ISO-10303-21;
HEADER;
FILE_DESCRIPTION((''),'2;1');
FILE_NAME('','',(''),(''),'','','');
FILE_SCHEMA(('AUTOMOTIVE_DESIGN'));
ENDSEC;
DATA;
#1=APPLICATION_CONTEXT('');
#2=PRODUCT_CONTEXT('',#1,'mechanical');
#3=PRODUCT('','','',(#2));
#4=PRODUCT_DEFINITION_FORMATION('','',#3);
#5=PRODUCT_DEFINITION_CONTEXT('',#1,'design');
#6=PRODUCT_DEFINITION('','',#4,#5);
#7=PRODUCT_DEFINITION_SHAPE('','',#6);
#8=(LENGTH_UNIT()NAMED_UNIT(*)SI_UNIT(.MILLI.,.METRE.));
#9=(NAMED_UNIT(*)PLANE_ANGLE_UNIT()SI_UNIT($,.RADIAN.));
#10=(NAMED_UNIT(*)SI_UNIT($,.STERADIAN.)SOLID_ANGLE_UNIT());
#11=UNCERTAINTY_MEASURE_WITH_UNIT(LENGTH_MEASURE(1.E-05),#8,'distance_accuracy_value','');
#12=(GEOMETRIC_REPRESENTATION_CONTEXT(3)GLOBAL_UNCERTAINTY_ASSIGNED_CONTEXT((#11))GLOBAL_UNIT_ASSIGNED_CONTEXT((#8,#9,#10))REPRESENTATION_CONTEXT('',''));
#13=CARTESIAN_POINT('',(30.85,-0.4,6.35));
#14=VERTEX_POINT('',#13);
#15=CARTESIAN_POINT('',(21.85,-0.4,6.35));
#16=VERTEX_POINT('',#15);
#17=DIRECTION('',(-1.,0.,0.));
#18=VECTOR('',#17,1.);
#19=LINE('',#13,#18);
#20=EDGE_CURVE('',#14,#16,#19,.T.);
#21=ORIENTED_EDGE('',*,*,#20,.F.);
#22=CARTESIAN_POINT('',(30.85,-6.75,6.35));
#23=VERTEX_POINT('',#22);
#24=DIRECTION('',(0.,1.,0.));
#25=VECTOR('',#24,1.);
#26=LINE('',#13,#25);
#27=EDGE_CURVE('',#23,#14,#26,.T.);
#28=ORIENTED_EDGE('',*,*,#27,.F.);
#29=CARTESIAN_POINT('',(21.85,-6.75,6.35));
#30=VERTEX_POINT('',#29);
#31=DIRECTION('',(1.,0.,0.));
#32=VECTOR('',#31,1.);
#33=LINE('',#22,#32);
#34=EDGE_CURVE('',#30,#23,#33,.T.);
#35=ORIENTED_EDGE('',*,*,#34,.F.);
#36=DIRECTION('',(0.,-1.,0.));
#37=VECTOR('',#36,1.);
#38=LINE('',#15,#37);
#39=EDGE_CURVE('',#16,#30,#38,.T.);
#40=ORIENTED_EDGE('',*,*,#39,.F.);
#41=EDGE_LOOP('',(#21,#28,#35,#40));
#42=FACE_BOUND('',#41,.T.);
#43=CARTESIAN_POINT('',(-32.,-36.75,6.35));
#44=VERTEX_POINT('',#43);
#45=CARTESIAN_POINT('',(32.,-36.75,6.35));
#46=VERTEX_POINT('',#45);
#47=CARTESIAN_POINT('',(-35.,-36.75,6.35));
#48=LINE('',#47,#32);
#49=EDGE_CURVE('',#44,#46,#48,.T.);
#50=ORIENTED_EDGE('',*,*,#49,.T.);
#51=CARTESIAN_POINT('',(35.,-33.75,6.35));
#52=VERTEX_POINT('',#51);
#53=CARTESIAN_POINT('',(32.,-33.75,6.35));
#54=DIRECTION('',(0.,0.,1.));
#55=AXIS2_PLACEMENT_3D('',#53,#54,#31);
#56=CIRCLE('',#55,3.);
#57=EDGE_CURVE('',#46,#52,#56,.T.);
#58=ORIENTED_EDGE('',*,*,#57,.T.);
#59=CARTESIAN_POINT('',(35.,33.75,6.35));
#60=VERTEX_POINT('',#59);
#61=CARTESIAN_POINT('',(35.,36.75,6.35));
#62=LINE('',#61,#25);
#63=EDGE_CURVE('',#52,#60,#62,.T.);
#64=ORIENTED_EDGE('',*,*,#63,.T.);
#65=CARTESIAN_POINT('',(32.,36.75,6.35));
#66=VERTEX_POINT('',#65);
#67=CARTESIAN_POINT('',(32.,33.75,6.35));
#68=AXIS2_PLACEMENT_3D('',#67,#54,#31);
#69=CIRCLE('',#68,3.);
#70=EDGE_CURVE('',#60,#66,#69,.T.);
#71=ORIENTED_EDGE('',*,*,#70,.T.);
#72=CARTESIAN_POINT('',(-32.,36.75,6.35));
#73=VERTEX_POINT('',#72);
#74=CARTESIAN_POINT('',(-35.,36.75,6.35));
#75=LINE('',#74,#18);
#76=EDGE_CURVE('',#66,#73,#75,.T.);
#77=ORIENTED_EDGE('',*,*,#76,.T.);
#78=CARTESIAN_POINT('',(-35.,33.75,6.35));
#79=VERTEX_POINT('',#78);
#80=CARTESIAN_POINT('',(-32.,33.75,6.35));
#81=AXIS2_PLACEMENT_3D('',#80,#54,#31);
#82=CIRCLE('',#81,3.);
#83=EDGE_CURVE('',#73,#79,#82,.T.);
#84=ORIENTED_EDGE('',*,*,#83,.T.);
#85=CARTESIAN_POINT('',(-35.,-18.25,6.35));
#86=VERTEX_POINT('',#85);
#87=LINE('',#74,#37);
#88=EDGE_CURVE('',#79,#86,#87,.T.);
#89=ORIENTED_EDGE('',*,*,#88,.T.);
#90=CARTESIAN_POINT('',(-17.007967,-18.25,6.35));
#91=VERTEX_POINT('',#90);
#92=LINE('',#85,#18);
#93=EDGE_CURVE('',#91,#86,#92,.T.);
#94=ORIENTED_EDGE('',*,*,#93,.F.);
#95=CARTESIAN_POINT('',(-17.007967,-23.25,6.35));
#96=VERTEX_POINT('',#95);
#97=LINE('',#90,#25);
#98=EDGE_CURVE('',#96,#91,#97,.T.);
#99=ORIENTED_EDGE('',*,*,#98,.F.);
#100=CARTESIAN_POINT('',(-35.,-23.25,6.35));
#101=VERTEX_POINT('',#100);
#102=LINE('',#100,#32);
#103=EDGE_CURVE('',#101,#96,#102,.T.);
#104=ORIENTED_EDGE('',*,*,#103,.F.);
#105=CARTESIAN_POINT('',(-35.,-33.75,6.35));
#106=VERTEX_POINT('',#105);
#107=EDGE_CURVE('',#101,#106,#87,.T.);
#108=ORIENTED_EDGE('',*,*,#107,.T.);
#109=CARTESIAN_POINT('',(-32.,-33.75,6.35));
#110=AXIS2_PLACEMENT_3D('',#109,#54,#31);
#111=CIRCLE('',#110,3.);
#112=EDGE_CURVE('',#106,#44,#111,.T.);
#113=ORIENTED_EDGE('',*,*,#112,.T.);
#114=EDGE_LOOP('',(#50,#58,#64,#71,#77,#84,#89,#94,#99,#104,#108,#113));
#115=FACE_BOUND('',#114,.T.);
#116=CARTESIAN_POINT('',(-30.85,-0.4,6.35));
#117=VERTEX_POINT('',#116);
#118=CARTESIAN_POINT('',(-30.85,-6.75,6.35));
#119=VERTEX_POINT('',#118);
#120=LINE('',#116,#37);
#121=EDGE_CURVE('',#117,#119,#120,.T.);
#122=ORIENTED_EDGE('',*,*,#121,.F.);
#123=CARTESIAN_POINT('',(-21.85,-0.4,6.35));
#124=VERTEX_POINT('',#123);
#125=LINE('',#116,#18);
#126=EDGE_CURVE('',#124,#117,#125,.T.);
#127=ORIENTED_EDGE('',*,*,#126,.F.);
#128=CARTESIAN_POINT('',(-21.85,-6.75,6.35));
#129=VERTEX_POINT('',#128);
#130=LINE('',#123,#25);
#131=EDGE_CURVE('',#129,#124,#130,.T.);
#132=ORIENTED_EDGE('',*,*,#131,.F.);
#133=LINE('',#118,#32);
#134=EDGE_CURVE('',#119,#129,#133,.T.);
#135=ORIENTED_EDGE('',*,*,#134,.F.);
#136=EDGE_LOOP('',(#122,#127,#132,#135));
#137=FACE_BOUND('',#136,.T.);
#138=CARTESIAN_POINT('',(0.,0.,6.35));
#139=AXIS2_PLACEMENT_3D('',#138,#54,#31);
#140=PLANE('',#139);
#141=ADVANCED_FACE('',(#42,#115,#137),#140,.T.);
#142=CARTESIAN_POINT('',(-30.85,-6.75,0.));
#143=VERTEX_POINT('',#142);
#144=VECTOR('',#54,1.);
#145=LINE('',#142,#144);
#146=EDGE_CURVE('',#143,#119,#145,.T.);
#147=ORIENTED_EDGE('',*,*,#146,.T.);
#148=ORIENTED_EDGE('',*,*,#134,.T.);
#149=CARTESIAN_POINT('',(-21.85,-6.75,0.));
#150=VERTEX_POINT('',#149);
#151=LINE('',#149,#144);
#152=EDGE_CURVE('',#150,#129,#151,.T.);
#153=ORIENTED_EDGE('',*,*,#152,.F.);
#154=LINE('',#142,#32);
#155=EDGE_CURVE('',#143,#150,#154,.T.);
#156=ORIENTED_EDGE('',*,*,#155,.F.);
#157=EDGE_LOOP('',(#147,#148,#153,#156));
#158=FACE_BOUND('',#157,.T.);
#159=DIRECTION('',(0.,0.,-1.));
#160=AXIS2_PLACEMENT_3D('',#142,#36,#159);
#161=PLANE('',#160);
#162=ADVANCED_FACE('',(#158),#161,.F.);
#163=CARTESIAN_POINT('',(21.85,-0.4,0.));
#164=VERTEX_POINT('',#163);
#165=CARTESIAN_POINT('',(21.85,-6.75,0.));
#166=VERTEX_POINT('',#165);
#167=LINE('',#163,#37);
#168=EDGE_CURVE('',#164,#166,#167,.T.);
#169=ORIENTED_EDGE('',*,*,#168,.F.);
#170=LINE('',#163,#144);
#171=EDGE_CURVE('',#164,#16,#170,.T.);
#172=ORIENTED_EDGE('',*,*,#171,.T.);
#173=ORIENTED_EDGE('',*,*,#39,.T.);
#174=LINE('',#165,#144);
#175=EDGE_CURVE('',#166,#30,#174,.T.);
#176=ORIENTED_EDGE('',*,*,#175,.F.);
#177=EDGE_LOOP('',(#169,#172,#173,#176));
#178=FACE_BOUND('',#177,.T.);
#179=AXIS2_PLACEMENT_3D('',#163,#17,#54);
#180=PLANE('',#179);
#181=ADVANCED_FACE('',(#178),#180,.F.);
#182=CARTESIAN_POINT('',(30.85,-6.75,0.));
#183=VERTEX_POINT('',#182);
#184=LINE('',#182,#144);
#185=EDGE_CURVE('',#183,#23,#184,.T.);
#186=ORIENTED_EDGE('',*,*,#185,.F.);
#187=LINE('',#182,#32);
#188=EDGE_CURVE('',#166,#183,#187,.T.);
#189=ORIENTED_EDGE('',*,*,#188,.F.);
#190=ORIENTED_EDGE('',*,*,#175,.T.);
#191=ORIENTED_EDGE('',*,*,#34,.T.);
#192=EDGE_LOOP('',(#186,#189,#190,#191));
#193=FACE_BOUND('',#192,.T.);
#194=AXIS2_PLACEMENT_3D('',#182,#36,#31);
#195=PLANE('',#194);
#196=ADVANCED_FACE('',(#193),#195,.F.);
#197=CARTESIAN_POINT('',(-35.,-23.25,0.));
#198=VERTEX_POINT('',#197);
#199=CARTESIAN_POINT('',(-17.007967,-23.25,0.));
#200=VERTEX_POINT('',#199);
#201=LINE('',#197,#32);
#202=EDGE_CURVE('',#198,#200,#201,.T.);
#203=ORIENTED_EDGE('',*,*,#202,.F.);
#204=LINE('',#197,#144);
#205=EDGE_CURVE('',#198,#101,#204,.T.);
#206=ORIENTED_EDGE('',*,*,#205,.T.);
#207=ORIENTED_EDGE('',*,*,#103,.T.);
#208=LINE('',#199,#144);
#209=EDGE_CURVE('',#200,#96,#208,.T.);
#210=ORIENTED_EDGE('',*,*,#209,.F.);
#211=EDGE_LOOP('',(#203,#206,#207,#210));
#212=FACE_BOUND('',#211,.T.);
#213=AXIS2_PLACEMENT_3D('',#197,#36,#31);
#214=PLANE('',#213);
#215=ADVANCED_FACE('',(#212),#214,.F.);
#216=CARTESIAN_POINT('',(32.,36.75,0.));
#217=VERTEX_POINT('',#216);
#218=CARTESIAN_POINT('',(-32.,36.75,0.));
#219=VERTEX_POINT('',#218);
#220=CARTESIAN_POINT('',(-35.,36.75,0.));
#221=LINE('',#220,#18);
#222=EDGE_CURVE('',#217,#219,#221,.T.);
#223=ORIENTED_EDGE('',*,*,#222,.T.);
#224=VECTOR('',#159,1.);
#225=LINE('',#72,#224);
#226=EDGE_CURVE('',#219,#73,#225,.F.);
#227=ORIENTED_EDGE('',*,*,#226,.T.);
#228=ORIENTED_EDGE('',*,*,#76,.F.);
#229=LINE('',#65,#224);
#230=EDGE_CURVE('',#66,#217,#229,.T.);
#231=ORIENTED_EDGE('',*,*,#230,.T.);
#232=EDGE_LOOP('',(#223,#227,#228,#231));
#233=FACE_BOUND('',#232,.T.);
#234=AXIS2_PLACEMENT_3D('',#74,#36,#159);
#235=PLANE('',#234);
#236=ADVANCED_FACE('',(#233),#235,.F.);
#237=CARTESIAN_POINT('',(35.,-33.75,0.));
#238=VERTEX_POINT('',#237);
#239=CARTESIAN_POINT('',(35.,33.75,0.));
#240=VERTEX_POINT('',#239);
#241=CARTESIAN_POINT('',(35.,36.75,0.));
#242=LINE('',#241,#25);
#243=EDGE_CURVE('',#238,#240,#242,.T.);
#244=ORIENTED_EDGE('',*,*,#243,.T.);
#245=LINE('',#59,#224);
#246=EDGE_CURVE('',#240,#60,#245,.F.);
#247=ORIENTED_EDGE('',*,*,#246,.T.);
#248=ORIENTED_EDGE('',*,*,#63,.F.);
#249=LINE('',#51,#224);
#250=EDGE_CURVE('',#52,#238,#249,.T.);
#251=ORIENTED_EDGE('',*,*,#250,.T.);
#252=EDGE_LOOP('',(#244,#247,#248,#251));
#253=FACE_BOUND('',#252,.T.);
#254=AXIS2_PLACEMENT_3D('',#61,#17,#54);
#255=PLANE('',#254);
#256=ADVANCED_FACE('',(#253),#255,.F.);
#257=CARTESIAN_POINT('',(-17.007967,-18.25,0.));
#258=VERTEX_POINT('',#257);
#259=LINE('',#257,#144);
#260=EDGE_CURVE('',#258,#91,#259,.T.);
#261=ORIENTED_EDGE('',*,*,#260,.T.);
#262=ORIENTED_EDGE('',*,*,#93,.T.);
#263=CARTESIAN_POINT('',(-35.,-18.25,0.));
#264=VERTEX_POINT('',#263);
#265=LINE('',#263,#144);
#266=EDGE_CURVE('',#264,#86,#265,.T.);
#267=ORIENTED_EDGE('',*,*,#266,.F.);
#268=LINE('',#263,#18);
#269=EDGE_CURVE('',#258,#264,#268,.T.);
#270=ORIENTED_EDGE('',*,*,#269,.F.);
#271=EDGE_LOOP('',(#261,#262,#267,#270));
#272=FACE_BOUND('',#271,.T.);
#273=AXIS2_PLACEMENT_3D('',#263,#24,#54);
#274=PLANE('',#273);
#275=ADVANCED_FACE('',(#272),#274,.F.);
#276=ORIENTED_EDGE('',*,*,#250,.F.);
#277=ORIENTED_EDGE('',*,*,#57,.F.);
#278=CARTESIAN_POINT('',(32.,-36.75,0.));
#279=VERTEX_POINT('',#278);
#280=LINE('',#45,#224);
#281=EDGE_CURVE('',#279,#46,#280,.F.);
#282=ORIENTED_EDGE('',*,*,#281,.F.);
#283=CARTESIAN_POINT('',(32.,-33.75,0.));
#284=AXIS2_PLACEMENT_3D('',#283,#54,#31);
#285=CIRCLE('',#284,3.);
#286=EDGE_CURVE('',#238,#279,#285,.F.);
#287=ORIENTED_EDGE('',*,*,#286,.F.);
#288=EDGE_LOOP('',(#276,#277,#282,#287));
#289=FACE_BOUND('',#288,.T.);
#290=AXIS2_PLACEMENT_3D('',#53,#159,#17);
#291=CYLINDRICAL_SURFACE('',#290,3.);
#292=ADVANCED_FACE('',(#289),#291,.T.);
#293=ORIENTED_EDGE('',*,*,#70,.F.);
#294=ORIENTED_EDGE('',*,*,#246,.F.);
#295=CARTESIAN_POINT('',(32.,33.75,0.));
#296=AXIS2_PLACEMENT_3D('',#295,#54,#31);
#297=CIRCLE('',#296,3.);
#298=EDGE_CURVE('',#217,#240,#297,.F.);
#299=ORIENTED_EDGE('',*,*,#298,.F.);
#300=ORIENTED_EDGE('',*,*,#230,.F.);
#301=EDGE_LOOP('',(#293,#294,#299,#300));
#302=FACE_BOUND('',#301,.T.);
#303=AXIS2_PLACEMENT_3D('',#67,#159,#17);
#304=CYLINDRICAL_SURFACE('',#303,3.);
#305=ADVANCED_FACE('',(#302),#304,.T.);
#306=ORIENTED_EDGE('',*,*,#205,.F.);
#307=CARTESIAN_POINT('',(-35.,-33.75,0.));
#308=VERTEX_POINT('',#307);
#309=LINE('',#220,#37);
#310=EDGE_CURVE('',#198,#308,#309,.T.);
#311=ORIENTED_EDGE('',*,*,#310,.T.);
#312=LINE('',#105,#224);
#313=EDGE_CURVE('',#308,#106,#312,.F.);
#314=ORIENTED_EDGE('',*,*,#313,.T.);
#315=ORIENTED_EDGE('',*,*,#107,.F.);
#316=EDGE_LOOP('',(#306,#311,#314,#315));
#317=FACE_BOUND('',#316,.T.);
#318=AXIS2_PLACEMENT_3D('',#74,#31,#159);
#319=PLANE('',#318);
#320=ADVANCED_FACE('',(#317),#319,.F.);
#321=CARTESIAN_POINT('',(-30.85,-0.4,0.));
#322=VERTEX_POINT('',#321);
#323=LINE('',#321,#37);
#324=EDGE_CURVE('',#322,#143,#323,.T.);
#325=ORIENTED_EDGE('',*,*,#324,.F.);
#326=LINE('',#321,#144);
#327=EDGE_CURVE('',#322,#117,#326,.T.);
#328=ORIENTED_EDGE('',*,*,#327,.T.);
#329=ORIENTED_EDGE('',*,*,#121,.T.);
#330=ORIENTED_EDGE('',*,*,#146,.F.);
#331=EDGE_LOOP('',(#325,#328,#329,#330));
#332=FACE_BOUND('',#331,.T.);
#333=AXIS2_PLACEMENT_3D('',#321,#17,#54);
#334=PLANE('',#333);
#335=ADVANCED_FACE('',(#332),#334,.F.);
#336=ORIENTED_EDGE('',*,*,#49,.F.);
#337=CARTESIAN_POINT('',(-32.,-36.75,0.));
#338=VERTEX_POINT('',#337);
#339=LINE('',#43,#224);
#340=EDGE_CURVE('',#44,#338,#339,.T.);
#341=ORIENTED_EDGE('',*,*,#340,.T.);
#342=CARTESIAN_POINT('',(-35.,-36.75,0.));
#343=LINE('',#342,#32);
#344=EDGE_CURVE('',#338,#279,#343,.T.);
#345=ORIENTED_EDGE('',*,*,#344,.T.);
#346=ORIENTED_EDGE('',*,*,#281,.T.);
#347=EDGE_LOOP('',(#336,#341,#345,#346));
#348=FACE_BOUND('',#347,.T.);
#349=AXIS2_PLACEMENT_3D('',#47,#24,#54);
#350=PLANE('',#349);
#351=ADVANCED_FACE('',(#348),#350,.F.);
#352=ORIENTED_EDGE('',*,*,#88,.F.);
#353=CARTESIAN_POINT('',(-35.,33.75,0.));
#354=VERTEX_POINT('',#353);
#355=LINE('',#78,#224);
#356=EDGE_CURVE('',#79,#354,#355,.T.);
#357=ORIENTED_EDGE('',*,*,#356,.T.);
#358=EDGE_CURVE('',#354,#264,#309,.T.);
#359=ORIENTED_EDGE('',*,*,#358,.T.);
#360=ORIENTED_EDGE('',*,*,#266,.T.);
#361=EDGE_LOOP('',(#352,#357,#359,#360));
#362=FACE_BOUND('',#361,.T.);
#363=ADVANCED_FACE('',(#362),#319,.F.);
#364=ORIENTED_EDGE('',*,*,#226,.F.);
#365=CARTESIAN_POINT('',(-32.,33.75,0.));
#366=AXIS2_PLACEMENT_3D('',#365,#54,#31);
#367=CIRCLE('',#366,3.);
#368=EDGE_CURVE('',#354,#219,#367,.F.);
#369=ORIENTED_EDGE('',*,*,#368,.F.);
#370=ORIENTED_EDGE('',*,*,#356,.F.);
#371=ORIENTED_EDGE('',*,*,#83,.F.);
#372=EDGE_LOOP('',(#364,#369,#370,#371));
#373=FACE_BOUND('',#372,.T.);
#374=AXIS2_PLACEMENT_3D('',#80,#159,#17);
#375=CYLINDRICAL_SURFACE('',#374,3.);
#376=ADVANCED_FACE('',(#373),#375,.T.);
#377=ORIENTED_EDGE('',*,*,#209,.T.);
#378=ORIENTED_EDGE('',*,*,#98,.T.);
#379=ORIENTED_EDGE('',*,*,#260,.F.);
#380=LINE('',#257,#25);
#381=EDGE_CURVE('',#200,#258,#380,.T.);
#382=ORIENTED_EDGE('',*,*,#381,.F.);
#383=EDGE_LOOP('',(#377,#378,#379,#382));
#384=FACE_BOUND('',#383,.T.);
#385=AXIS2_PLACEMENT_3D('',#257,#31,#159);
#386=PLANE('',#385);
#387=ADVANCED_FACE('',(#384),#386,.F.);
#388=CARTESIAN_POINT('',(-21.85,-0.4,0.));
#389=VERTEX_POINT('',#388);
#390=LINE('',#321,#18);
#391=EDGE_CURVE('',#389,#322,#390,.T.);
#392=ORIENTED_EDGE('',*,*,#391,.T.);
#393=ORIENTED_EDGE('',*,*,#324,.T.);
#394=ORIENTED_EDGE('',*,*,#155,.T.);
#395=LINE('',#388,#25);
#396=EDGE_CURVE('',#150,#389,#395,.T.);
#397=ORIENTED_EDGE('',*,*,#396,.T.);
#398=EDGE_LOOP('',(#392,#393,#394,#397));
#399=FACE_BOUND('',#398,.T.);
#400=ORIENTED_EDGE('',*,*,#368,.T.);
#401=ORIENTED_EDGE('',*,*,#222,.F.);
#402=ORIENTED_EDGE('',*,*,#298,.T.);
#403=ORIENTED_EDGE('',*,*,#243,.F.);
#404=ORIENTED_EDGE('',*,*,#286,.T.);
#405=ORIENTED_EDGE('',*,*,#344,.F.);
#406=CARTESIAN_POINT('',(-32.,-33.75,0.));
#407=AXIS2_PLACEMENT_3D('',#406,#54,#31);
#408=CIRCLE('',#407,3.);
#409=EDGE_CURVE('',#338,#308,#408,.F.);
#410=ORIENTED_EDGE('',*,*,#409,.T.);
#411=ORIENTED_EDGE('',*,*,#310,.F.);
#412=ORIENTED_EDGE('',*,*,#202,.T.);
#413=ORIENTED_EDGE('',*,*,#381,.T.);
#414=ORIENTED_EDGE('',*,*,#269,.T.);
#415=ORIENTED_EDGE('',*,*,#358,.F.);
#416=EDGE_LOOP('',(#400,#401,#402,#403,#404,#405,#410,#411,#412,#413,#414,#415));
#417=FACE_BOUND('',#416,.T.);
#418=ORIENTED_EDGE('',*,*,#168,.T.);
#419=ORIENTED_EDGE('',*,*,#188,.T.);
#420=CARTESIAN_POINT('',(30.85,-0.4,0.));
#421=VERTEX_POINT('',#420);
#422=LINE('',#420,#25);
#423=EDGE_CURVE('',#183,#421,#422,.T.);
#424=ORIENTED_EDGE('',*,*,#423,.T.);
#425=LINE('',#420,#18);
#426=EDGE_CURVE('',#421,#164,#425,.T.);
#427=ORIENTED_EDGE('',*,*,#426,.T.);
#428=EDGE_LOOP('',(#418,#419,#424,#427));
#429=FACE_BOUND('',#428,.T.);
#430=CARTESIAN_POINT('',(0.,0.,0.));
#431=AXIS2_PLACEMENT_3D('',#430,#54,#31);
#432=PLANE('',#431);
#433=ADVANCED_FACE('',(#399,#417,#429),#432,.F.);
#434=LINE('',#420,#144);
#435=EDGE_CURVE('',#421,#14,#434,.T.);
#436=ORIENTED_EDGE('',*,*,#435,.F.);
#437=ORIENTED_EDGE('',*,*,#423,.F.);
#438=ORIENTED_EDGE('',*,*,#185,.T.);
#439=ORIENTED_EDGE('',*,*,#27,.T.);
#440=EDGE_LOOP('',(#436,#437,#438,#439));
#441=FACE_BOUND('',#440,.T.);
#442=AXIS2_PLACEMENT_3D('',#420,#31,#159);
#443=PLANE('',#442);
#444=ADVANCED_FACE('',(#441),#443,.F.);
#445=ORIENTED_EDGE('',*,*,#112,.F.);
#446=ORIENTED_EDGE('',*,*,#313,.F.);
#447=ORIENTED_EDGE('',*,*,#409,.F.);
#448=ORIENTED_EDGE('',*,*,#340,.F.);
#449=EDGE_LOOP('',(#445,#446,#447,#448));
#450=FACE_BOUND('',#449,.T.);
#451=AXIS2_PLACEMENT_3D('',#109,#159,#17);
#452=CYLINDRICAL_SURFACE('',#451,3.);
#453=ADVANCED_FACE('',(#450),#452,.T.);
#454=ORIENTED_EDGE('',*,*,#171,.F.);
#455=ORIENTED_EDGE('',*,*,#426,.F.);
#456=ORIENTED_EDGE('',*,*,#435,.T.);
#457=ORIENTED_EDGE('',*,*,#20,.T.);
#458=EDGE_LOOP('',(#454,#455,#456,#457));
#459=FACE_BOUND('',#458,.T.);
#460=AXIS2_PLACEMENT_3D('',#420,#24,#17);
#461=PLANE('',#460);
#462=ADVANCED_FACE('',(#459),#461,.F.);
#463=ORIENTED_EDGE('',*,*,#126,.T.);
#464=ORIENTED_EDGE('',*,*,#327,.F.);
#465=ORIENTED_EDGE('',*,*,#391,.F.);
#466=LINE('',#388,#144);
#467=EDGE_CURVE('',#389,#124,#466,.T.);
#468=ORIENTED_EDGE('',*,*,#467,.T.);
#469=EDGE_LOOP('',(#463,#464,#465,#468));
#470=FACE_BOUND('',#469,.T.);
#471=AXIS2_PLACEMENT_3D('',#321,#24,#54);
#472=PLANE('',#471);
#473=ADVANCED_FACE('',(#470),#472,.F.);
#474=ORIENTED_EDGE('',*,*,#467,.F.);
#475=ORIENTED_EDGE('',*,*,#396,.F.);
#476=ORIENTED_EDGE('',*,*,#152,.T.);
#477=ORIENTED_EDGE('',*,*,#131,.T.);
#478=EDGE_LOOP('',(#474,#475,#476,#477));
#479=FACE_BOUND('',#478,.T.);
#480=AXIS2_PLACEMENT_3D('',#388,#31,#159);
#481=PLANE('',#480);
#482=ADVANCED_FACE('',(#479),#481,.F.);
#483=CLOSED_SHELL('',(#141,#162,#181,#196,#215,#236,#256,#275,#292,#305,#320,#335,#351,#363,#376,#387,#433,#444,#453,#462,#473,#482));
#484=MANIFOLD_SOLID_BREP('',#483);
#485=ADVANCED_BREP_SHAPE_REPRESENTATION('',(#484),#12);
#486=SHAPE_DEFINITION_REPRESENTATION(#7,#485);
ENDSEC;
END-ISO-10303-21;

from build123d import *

# Parameters (mm, degrees)
SKETCH1_W           = 70
SKETCH1_H           = 73.5
BOSS_EXTRUDE1_DEPTH = 6.35
SKETCH2_W           = 9
SKETCH2_H           = 6.35
SKETCH2_W_2         = 17.9920326
SKETCH2_H_2         = 5
CUT_EXTRUDE1_DEPTH  = 6.35
FILLET1_R           = 3


with BuildPart() as part:
    # Sketch1 → Boss-Extrude1 (new body)
    with BuildSketch(Plane.XY):
        Rectangle(SKETCH1_W, SKETCH1_H)
    extrude(amount=BOSS_EXTRUDE1_DEPTH)

    # Sketch2 → Cut-Extrude1 (cut)
    with BuildSketch(Plane.XY.offset(6.35)):
        with Locations((-26.35, -3.575)):
            Rectangle(SKETCH2_W, SKETCH2_H)
        with Locations((-26.0039837, -20.75)):
            Rectangle(SKETCH2_W_2, SKETCH2_H_2)
        with Locations((26.35, -3.575)):
            Rectangle(SKETCH2_W, SKETCH2_H)
    extrude(amount=-CUT_EXTRUDE1_DEPTH, mode=Mode.SUBTRACT)

    # Fillet1
    fillet1_edges = [part.edges().sort_by_distance(p)[0] for p in [
        (35, -36.75, 3.175),
        (-35, -36.75, 3.175),
        (-35, 36.75, 3.175),
        (35, 36.75, 3.175),
    ]]
    fillet(fillet1_edges, radius=FILLET1_R)


solid = part.part
